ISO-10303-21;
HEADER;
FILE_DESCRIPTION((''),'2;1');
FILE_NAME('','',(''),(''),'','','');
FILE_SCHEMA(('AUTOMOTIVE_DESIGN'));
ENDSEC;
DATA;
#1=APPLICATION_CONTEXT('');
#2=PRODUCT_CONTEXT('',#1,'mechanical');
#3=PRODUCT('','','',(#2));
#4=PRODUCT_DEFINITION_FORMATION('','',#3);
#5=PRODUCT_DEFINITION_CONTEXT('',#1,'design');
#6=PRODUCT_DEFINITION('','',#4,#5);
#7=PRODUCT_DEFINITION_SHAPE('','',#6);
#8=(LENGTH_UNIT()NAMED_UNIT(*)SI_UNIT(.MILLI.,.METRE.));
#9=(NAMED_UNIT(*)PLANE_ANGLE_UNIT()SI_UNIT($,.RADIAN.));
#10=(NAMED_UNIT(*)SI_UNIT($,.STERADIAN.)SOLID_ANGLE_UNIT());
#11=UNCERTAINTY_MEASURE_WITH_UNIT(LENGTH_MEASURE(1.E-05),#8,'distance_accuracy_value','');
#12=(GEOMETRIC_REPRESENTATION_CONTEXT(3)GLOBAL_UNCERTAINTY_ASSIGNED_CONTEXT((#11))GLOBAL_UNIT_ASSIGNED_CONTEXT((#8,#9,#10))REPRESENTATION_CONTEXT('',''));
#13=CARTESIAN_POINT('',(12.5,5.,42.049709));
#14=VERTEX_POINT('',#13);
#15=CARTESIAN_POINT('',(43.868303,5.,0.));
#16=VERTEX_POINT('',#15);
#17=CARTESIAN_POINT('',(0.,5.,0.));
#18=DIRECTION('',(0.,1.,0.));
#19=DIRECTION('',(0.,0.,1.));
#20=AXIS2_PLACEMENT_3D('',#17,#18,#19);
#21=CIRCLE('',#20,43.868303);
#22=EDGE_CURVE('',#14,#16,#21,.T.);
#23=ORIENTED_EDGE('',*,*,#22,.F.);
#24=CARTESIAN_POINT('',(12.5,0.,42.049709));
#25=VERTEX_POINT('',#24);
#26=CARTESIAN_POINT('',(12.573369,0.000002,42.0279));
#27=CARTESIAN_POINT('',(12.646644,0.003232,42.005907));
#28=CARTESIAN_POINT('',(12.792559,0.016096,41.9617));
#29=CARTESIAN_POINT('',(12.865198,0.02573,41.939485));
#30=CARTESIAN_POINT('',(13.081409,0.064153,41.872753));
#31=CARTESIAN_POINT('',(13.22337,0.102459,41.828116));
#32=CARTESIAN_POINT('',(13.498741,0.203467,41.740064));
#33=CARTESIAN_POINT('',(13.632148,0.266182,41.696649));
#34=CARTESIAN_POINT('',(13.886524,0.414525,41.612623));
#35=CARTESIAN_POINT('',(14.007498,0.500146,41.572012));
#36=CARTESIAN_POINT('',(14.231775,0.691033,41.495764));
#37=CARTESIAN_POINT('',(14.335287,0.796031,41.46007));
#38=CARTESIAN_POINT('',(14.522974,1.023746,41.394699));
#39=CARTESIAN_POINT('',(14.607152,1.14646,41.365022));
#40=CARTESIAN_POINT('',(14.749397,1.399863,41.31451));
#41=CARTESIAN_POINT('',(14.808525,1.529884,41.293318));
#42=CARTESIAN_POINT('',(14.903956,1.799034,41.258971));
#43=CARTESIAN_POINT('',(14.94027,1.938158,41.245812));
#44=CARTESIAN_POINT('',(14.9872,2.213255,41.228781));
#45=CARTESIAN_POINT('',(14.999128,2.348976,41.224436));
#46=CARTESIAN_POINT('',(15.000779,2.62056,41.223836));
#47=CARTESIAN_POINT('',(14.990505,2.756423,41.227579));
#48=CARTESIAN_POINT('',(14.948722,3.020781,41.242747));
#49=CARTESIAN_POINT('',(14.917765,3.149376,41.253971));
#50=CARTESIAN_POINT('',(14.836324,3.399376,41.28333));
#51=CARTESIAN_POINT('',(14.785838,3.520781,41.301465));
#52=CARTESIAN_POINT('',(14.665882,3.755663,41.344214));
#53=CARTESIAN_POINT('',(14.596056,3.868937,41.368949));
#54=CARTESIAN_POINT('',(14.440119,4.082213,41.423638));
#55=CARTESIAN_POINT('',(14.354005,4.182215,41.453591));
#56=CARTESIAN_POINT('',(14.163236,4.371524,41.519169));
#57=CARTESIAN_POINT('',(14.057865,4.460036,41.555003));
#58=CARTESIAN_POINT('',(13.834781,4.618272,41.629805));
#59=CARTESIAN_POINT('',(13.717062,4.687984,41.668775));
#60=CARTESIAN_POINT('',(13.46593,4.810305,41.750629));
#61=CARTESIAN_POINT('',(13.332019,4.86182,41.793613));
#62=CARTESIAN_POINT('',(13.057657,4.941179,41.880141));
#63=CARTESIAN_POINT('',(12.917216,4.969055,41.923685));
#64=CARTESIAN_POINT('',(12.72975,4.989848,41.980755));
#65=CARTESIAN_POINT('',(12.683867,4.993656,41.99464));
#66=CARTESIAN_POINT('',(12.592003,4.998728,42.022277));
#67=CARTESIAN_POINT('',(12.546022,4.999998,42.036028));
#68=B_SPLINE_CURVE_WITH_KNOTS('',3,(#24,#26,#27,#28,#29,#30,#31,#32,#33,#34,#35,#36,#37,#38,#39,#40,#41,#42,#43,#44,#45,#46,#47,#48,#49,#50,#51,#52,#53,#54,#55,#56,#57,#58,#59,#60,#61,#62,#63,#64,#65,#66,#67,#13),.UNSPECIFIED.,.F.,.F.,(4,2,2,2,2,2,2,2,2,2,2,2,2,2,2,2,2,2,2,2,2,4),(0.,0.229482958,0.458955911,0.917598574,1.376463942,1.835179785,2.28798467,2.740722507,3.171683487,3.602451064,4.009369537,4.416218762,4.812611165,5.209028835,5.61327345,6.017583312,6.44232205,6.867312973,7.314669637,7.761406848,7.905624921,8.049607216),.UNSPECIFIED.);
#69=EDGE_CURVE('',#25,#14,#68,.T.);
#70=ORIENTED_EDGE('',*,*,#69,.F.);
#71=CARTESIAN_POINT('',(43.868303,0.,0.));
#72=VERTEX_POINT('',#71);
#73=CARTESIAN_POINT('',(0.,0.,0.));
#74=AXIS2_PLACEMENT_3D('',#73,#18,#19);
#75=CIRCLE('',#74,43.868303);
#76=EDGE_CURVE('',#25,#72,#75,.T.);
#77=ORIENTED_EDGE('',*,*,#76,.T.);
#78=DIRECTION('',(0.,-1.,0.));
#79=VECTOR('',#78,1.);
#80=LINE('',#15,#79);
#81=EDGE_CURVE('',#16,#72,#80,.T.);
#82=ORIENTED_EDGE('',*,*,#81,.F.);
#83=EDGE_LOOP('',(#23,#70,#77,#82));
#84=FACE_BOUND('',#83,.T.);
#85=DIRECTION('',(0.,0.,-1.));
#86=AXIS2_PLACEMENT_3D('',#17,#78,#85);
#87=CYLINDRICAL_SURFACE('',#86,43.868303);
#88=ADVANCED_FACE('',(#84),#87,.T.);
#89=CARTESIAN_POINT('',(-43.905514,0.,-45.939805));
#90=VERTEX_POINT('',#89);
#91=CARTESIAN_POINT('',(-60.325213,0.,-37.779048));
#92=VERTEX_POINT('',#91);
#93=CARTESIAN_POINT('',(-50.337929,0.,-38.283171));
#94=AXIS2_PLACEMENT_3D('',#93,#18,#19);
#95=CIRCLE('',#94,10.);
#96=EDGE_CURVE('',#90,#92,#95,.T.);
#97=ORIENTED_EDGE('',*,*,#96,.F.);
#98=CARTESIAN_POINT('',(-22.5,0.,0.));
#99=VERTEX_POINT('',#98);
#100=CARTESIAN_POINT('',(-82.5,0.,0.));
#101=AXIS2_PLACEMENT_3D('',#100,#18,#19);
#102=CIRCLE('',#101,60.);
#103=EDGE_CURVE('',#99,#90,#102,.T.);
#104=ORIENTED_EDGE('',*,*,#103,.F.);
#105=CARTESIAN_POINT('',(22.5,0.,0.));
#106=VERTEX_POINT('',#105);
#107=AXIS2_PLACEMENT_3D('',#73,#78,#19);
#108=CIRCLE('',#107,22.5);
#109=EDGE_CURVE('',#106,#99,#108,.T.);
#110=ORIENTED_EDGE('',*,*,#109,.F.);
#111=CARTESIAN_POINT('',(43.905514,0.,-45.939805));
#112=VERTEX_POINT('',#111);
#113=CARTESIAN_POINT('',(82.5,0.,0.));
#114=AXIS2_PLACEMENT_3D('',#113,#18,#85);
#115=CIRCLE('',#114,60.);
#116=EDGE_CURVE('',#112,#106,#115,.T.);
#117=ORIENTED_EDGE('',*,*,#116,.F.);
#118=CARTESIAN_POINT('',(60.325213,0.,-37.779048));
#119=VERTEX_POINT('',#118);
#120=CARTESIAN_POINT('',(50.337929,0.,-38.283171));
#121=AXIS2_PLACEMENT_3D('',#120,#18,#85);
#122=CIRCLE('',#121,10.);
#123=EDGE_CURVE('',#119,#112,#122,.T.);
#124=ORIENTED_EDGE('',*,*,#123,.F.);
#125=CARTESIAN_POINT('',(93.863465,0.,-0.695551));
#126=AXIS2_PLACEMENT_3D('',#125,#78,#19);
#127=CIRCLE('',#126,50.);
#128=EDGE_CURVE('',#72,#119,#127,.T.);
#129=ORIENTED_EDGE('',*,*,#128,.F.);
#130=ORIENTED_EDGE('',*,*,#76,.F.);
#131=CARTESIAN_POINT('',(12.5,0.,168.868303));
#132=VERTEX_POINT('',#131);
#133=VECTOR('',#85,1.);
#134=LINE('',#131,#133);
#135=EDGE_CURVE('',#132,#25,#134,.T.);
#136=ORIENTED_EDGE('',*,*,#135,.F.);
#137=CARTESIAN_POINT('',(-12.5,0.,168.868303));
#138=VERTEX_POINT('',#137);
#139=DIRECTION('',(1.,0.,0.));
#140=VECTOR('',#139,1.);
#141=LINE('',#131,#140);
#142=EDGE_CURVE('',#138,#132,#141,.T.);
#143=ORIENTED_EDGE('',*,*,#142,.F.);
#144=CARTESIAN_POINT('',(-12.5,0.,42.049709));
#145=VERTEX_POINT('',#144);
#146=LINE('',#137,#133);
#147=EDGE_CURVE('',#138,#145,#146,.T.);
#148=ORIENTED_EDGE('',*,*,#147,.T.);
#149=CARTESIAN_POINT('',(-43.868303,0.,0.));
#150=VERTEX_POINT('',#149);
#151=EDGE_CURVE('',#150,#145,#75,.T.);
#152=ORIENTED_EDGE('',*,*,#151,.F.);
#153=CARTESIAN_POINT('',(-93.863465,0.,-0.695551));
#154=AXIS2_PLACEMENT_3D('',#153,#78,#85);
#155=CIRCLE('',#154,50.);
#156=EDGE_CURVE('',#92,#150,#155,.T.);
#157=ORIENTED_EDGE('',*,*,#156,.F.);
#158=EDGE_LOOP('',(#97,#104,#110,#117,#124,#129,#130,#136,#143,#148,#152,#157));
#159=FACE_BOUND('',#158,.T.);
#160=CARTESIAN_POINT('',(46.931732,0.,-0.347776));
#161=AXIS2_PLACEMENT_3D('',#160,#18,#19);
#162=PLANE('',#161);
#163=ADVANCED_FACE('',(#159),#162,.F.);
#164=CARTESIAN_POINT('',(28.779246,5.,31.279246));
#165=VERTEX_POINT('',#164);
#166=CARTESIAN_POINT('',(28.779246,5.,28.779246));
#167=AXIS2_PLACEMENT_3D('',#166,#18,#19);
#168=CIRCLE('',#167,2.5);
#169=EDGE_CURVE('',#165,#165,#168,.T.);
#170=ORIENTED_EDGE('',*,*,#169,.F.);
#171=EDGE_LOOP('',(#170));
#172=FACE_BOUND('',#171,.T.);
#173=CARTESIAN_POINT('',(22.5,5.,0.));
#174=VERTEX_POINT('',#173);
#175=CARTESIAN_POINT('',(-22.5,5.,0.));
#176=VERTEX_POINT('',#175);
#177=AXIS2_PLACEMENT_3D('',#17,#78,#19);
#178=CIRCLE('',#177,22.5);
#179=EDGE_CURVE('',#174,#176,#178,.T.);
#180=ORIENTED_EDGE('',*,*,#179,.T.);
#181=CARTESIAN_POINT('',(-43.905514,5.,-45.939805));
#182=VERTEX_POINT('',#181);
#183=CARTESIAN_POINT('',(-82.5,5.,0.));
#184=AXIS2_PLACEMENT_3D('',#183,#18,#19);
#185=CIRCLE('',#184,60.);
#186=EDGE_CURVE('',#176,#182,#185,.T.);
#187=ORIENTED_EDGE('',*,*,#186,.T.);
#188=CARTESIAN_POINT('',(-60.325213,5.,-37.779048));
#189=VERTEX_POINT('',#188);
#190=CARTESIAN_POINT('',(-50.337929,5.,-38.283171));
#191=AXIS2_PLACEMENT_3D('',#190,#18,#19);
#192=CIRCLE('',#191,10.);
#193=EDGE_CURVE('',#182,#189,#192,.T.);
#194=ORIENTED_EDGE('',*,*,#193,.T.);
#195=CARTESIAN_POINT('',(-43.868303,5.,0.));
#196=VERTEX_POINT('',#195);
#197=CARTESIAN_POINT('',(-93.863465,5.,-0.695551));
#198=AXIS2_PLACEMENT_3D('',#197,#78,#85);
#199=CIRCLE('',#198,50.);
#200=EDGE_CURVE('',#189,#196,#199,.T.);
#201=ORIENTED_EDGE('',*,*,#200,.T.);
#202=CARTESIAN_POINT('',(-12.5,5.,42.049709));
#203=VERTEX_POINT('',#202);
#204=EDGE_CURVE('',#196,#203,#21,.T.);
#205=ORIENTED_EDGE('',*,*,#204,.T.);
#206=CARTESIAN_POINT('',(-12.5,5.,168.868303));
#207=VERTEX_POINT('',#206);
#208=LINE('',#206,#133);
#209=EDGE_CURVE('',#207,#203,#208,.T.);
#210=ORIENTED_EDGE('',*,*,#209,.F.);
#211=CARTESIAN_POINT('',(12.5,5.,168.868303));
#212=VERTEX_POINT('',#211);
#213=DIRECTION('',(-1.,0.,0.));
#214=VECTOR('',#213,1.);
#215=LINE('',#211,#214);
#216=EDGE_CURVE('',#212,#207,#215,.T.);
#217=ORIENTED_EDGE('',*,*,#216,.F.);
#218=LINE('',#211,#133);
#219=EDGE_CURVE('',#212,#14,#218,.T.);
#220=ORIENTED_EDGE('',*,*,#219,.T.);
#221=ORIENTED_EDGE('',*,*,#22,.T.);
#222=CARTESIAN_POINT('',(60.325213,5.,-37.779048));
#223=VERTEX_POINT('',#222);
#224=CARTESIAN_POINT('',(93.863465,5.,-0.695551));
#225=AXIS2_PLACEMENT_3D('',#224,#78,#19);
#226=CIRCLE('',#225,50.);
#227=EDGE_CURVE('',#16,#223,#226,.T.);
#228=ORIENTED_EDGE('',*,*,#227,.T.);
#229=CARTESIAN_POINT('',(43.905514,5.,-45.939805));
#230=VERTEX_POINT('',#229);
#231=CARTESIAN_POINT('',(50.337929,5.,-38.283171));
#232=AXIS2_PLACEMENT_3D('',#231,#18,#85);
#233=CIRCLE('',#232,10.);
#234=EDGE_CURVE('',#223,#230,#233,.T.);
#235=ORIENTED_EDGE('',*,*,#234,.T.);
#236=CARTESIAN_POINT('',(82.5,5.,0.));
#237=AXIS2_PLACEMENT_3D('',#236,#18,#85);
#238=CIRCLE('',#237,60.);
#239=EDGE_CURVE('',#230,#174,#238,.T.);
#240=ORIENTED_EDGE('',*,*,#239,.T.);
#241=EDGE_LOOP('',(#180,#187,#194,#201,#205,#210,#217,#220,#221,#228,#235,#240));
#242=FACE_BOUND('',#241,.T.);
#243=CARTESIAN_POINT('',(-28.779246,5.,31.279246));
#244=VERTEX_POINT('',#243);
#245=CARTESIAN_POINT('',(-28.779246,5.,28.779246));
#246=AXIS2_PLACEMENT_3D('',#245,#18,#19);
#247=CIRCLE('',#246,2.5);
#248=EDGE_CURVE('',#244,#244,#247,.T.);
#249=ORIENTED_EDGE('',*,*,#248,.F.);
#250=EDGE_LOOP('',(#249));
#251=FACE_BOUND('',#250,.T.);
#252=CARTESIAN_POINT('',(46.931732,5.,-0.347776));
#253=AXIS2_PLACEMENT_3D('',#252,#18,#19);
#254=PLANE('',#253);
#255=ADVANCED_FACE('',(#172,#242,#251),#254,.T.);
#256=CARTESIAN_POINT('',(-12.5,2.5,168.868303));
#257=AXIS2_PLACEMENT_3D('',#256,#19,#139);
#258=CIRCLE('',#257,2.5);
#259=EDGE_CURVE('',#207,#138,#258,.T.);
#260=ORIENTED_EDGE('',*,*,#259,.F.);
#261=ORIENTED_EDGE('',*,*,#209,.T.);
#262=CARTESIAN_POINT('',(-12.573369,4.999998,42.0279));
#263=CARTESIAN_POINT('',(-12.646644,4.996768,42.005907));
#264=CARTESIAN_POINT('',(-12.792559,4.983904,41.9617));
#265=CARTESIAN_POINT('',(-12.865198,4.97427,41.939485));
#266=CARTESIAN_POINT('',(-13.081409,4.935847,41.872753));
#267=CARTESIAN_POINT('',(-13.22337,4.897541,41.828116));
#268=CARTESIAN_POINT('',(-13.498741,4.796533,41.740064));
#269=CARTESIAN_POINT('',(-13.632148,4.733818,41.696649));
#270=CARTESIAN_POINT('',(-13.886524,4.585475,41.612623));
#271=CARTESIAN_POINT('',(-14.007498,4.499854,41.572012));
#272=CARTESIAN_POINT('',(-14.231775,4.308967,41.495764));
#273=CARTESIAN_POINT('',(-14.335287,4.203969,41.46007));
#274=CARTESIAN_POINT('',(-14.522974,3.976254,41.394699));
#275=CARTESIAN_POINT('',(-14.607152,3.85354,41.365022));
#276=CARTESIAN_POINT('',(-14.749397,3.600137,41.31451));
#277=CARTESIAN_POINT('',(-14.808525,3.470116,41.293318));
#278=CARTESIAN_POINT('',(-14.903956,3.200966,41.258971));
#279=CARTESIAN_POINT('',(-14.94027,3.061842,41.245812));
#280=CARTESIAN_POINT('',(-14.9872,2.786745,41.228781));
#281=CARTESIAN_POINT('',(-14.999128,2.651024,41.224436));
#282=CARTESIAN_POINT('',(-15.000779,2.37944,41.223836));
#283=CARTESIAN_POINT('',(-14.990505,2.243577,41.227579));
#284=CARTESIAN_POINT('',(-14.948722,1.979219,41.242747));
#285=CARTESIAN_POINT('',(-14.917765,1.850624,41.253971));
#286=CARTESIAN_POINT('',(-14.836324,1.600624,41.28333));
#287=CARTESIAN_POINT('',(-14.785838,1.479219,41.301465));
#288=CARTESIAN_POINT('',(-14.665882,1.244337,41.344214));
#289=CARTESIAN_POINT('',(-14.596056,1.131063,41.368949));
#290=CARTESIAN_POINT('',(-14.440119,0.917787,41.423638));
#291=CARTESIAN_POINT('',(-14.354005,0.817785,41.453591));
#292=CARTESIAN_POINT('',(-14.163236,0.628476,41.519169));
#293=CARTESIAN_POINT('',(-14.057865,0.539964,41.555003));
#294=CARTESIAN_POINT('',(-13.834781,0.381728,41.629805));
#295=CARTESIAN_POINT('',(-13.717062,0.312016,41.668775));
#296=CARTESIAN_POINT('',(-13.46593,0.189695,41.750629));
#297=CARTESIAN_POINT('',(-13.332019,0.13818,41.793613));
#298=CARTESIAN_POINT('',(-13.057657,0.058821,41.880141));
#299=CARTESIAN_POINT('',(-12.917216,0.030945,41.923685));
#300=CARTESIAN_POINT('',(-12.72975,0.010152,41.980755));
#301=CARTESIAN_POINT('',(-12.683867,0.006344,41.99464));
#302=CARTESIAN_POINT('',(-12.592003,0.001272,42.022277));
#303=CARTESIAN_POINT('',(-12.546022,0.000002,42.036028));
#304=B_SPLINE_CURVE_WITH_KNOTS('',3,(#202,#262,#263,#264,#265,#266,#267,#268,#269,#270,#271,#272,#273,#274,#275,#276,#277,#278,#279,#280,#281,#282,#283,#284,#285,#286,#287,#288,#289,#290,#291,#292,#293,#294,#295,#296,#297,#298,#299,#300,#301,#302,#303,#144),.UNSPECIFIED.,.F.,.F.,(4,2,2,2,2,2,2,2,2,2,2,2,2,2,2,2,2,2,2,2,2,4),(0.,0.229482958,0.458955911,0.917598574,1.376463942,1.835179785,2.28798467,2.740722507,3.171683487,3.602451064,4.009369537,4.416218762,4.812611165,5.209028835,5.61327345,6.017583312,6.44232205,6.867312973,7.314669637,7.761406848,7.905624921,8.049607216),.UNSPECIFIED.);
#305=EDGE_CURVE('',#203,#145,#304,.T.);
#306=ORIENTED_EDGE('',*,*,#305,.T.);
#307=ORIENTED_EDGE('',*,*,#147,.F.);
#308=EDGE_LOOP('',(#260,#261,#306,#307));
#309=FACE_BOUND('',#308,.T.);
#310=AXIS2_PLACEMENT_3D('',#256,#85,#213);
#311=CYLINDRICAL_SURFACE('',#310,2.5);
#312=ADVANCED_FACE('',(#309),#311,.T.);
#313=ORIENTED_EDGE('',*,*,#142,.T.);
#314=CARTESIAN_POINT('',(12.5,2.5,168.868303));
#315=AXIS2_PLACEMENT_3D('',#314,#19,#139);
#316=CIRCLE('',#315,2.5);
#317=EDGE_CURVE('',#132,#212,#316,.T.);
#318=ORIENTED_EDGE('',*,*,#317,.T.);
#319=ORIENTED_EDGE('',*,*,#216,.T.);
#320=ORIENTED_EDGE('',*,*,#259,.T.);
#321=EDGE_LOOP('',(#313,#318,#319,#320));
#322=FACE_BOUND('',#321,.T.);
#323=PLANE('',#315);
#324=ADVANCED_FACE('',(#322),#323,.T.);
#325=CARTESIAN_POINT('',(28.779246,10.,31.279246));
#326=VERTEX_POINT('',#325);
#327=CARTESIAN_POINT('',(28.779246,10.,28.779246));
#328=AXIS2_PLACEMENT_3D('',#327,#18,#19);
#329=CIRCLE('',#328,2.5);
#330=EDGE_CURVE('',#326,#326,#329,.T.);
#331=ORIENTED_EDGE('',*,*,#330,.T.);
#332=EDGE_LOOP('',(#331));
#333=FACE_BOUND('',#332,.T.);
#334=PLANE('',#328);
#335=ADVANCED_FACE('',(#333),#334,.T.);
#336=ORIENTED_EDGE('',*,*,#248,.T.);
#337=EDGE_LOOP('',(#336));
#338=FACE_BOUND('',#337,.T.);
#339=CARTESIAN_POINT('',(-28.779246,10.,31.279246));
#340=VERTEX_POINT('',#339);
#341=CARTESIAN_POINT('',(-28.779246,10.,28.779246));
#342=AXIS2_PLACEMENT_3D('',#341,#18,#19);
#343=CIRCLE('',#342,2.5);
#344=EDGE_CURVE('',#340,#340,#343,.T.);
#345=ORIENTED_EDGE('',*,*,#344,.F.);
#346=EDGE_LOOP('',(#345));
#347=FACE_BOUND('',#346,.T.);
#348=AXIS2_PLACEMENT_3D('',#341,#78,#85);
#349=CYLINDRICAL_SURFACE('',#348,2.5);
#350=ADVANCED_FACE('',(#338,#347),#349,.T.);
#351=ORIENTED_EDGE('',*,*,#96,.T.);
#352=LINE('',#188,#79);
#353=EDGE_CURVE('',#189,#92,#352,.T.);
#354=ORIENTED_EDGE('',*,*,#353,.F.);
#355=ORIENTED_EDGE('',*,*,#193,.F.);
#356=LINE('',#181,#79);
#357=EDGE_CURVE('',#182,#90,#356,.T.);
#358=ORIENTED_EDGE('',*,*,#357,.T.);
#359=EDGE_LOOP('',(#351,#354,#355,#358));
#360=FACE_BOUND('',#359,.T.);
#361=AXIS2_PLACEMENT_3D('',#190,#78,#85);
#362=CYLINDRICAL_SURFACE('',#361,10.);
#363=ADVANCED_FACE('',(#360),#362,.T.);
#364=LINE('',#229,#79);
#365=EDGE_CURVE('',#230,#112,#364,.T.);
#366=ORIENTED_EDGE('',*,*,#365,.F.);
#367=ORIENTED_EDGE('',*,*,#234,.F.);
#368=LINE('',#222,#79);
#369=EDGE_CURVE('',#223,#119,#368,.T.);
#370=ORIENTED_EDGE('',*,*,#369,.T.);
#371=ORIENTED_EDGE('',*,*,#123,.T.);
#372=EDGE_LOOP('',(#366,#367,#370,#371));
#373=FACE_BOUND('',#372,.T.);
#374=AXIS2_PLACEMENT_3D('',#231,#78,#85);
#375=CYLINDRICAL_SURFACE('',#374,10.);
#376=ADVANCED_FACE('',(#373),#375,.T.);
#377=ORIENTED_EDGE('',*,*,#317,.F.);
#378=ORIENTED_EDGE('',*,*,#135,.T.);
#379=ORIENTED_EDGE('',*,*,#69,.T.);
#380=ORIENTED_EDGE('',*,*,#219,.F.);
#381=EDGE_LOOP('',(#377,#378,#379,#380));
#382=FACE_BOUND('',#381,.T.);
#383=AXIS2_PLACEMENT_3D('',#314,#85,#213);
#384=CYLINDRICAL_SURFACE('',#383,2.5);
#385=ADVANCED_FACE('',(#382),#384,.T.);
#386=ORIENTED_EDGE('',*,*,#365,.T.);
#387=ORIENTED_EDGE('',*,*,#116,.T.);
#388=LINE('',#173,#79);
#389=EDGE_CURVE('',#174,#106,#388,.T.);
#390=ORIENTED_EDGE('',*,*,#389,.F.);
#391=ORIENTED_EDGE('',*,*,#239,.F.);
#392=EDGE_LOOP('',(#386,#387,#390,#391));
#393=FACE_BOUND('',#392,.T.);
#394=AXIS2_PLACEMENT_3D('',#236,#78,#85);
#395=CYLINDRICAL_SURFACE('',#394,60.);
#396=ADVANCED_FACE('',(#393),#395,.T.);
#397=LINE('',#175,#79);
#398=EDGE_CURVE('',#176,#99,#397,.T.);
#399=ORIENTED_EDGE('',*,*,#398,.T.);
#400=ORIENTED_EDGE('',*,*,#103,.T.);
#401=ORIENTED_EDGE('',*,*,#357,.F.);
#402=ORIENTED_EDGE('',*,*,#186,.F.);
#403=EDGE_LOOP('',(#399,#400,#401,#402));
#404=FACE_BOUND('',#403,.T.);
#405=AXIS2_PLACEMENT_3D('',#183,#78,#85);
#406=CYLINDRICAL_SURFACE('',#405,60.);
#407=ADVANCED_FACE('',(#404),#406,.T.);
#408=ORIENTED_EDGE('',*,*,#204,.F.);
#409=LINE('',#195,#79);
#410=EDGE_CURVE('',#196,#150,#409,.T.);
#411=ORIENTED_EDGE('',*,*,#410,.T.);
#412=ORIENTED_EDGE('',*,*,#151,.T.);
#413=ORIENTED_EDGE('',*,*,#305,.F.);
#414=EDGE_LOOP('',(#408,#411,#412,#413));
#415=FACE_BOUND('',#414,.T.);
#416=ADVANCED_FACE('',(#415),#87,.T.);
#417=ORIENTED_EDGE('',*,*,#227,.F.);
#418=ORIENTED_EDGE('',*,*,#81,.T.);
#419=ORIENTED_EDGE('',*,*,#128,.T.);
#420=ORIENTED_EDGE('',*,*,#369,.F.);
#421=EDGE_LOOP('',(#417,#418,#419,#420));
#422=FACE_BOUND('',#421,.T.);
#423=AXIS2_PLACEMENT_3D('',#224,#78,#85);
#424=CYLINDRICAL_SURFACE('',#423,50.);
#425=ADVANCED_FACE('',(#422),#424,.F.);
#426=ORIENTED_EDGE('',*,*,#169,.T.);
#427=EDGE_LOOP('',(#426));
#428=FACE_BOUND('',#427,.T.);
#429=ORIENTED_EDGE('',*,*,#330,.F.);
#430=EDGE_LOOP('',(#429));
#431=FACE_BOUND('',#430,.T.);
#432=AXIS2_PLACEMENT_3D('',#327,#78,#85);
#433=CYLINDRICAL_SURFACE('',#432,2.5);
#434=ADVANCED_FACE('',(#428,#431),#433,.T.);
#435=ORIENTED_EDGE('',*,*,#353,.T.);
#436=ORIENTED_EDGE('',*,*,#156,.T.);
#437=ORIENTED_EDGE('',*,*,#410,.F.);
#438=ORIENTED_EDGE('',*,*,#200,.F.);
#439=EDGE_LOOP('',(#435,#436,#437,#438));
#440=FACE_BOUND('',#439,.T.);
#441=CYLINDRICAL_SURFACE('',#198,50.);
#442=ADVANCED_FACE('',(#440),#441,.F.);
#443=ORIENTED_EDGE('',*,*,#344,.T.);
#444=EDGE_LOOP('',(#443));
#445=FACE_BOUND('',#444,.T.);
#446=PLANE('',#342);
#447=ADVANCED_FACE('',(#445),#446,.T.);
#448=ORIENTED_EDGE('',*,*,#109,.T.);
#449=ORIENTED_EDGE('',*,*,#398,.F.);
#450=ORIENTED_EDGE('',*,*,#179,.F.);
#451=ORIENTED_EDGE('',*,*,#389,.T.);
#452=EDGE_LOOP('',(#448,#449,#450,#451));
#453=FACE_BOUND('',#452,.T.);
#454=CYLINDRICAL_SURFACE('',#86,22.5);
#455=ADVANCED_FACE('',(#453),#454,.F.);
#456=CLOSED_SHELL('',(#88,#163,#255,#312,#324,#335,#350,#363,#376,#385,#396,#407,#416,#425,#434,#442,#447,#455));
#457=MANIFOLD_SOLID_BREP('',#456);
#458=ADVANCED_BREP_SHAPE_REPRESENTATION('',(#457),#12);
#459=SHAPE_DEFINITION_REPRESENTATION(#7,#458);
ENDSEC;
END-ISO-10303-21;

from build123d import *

# Parameters (mm, degrees)
BOSS_EXTRUDE1_DEPTH = 5
SKETCH2_R           = 2.5
BOSS_EXTRUDE2_DEPTH = 5
BOSS_EXTRUDE3_START = -2.644184
BOSS_EXTRUDE3_DEPTH = 127.644184


with BuildPart() as part:
    # Sketch1 → Boss-Extrude1 (new body)
    with BuildSketch(Plane(origin=(0, 0, 0), x_dir=(1, 0, 0), z_dir=(0, 1, 0))):
        with BuildLine():
            ThreePointArc((-22.5, 0), (0, -22.5), (22.5, 0))
            ThreePointArc((22.5, 0), (28.11402228, 25.340983158), (43.905514247, 45.939804848))
            ThreePointArc((43.905514247, 45.939804848), (54.788632448, 47.238126581), (60.325213459, 37.779047778))
            ThreePointArc((60.325213459, 37.779047778), (48.023832429, 20.66372887), (43.868302884, 0))
            ThreePointArc((43.868302884, 0), (0, -43.868302884), (-43.868302884, 0))
            ThreePointArc((-43.868302884, 0), (-48.023832429, 20.66372887), (-60.325213459, 37.779047778))
            ThreePointArc((-60.325213459, 37.779047778), (-54.788632448, 47.238126581), (-43.905514247, 45.939804848))
            ThreePointArc((-43.905514247, 45.939804848), (-28.11402228, 25.340983158), (-22.5, 0))
        make_face()
    extrude(amount=BOSS_EXTRUDE1_DEPTH)

    # Sketch2 → Boss-Extrude2 (add)
    with BuildSketch(Plane(origin=(0, 5, 0), x_dir=(1, 0, 0), z_dir=(0, 1, 0))):
        with Locations((28.779245994, -28.779245994)):
            Circle(SKETCH2_R)
        with Locations((-28.779245994, -28.779245994)):
            Circle(SKETCH2_R)
    extrude(amount=BOSS_EXTRUDE2_DEPTH)

    # Sketch4 → Boss-Extrude3 (add)
    with BuildSketch(Plane(origin=(0, 5, 43.868302884), x_dir=(1, 0, 0), z_dir=(0, 0, 1)).offset(BOSS_EXTRUDE3_START)):
        with BuildLine():
            Line((12.5, -5), (-12.5, -5))
            ThreePointArc((-12.5, -5), (-15, -2.5), (-12.5, 0))
            Line((-12.5, 0), (12.5, 0))
            ThreePointArc((12.5, 0), (15, -2.5), (12.5, -5))
        make_face()
    extrude(amount=BOSS_EXTRUDE3_DEPTH)


solid = part.part
